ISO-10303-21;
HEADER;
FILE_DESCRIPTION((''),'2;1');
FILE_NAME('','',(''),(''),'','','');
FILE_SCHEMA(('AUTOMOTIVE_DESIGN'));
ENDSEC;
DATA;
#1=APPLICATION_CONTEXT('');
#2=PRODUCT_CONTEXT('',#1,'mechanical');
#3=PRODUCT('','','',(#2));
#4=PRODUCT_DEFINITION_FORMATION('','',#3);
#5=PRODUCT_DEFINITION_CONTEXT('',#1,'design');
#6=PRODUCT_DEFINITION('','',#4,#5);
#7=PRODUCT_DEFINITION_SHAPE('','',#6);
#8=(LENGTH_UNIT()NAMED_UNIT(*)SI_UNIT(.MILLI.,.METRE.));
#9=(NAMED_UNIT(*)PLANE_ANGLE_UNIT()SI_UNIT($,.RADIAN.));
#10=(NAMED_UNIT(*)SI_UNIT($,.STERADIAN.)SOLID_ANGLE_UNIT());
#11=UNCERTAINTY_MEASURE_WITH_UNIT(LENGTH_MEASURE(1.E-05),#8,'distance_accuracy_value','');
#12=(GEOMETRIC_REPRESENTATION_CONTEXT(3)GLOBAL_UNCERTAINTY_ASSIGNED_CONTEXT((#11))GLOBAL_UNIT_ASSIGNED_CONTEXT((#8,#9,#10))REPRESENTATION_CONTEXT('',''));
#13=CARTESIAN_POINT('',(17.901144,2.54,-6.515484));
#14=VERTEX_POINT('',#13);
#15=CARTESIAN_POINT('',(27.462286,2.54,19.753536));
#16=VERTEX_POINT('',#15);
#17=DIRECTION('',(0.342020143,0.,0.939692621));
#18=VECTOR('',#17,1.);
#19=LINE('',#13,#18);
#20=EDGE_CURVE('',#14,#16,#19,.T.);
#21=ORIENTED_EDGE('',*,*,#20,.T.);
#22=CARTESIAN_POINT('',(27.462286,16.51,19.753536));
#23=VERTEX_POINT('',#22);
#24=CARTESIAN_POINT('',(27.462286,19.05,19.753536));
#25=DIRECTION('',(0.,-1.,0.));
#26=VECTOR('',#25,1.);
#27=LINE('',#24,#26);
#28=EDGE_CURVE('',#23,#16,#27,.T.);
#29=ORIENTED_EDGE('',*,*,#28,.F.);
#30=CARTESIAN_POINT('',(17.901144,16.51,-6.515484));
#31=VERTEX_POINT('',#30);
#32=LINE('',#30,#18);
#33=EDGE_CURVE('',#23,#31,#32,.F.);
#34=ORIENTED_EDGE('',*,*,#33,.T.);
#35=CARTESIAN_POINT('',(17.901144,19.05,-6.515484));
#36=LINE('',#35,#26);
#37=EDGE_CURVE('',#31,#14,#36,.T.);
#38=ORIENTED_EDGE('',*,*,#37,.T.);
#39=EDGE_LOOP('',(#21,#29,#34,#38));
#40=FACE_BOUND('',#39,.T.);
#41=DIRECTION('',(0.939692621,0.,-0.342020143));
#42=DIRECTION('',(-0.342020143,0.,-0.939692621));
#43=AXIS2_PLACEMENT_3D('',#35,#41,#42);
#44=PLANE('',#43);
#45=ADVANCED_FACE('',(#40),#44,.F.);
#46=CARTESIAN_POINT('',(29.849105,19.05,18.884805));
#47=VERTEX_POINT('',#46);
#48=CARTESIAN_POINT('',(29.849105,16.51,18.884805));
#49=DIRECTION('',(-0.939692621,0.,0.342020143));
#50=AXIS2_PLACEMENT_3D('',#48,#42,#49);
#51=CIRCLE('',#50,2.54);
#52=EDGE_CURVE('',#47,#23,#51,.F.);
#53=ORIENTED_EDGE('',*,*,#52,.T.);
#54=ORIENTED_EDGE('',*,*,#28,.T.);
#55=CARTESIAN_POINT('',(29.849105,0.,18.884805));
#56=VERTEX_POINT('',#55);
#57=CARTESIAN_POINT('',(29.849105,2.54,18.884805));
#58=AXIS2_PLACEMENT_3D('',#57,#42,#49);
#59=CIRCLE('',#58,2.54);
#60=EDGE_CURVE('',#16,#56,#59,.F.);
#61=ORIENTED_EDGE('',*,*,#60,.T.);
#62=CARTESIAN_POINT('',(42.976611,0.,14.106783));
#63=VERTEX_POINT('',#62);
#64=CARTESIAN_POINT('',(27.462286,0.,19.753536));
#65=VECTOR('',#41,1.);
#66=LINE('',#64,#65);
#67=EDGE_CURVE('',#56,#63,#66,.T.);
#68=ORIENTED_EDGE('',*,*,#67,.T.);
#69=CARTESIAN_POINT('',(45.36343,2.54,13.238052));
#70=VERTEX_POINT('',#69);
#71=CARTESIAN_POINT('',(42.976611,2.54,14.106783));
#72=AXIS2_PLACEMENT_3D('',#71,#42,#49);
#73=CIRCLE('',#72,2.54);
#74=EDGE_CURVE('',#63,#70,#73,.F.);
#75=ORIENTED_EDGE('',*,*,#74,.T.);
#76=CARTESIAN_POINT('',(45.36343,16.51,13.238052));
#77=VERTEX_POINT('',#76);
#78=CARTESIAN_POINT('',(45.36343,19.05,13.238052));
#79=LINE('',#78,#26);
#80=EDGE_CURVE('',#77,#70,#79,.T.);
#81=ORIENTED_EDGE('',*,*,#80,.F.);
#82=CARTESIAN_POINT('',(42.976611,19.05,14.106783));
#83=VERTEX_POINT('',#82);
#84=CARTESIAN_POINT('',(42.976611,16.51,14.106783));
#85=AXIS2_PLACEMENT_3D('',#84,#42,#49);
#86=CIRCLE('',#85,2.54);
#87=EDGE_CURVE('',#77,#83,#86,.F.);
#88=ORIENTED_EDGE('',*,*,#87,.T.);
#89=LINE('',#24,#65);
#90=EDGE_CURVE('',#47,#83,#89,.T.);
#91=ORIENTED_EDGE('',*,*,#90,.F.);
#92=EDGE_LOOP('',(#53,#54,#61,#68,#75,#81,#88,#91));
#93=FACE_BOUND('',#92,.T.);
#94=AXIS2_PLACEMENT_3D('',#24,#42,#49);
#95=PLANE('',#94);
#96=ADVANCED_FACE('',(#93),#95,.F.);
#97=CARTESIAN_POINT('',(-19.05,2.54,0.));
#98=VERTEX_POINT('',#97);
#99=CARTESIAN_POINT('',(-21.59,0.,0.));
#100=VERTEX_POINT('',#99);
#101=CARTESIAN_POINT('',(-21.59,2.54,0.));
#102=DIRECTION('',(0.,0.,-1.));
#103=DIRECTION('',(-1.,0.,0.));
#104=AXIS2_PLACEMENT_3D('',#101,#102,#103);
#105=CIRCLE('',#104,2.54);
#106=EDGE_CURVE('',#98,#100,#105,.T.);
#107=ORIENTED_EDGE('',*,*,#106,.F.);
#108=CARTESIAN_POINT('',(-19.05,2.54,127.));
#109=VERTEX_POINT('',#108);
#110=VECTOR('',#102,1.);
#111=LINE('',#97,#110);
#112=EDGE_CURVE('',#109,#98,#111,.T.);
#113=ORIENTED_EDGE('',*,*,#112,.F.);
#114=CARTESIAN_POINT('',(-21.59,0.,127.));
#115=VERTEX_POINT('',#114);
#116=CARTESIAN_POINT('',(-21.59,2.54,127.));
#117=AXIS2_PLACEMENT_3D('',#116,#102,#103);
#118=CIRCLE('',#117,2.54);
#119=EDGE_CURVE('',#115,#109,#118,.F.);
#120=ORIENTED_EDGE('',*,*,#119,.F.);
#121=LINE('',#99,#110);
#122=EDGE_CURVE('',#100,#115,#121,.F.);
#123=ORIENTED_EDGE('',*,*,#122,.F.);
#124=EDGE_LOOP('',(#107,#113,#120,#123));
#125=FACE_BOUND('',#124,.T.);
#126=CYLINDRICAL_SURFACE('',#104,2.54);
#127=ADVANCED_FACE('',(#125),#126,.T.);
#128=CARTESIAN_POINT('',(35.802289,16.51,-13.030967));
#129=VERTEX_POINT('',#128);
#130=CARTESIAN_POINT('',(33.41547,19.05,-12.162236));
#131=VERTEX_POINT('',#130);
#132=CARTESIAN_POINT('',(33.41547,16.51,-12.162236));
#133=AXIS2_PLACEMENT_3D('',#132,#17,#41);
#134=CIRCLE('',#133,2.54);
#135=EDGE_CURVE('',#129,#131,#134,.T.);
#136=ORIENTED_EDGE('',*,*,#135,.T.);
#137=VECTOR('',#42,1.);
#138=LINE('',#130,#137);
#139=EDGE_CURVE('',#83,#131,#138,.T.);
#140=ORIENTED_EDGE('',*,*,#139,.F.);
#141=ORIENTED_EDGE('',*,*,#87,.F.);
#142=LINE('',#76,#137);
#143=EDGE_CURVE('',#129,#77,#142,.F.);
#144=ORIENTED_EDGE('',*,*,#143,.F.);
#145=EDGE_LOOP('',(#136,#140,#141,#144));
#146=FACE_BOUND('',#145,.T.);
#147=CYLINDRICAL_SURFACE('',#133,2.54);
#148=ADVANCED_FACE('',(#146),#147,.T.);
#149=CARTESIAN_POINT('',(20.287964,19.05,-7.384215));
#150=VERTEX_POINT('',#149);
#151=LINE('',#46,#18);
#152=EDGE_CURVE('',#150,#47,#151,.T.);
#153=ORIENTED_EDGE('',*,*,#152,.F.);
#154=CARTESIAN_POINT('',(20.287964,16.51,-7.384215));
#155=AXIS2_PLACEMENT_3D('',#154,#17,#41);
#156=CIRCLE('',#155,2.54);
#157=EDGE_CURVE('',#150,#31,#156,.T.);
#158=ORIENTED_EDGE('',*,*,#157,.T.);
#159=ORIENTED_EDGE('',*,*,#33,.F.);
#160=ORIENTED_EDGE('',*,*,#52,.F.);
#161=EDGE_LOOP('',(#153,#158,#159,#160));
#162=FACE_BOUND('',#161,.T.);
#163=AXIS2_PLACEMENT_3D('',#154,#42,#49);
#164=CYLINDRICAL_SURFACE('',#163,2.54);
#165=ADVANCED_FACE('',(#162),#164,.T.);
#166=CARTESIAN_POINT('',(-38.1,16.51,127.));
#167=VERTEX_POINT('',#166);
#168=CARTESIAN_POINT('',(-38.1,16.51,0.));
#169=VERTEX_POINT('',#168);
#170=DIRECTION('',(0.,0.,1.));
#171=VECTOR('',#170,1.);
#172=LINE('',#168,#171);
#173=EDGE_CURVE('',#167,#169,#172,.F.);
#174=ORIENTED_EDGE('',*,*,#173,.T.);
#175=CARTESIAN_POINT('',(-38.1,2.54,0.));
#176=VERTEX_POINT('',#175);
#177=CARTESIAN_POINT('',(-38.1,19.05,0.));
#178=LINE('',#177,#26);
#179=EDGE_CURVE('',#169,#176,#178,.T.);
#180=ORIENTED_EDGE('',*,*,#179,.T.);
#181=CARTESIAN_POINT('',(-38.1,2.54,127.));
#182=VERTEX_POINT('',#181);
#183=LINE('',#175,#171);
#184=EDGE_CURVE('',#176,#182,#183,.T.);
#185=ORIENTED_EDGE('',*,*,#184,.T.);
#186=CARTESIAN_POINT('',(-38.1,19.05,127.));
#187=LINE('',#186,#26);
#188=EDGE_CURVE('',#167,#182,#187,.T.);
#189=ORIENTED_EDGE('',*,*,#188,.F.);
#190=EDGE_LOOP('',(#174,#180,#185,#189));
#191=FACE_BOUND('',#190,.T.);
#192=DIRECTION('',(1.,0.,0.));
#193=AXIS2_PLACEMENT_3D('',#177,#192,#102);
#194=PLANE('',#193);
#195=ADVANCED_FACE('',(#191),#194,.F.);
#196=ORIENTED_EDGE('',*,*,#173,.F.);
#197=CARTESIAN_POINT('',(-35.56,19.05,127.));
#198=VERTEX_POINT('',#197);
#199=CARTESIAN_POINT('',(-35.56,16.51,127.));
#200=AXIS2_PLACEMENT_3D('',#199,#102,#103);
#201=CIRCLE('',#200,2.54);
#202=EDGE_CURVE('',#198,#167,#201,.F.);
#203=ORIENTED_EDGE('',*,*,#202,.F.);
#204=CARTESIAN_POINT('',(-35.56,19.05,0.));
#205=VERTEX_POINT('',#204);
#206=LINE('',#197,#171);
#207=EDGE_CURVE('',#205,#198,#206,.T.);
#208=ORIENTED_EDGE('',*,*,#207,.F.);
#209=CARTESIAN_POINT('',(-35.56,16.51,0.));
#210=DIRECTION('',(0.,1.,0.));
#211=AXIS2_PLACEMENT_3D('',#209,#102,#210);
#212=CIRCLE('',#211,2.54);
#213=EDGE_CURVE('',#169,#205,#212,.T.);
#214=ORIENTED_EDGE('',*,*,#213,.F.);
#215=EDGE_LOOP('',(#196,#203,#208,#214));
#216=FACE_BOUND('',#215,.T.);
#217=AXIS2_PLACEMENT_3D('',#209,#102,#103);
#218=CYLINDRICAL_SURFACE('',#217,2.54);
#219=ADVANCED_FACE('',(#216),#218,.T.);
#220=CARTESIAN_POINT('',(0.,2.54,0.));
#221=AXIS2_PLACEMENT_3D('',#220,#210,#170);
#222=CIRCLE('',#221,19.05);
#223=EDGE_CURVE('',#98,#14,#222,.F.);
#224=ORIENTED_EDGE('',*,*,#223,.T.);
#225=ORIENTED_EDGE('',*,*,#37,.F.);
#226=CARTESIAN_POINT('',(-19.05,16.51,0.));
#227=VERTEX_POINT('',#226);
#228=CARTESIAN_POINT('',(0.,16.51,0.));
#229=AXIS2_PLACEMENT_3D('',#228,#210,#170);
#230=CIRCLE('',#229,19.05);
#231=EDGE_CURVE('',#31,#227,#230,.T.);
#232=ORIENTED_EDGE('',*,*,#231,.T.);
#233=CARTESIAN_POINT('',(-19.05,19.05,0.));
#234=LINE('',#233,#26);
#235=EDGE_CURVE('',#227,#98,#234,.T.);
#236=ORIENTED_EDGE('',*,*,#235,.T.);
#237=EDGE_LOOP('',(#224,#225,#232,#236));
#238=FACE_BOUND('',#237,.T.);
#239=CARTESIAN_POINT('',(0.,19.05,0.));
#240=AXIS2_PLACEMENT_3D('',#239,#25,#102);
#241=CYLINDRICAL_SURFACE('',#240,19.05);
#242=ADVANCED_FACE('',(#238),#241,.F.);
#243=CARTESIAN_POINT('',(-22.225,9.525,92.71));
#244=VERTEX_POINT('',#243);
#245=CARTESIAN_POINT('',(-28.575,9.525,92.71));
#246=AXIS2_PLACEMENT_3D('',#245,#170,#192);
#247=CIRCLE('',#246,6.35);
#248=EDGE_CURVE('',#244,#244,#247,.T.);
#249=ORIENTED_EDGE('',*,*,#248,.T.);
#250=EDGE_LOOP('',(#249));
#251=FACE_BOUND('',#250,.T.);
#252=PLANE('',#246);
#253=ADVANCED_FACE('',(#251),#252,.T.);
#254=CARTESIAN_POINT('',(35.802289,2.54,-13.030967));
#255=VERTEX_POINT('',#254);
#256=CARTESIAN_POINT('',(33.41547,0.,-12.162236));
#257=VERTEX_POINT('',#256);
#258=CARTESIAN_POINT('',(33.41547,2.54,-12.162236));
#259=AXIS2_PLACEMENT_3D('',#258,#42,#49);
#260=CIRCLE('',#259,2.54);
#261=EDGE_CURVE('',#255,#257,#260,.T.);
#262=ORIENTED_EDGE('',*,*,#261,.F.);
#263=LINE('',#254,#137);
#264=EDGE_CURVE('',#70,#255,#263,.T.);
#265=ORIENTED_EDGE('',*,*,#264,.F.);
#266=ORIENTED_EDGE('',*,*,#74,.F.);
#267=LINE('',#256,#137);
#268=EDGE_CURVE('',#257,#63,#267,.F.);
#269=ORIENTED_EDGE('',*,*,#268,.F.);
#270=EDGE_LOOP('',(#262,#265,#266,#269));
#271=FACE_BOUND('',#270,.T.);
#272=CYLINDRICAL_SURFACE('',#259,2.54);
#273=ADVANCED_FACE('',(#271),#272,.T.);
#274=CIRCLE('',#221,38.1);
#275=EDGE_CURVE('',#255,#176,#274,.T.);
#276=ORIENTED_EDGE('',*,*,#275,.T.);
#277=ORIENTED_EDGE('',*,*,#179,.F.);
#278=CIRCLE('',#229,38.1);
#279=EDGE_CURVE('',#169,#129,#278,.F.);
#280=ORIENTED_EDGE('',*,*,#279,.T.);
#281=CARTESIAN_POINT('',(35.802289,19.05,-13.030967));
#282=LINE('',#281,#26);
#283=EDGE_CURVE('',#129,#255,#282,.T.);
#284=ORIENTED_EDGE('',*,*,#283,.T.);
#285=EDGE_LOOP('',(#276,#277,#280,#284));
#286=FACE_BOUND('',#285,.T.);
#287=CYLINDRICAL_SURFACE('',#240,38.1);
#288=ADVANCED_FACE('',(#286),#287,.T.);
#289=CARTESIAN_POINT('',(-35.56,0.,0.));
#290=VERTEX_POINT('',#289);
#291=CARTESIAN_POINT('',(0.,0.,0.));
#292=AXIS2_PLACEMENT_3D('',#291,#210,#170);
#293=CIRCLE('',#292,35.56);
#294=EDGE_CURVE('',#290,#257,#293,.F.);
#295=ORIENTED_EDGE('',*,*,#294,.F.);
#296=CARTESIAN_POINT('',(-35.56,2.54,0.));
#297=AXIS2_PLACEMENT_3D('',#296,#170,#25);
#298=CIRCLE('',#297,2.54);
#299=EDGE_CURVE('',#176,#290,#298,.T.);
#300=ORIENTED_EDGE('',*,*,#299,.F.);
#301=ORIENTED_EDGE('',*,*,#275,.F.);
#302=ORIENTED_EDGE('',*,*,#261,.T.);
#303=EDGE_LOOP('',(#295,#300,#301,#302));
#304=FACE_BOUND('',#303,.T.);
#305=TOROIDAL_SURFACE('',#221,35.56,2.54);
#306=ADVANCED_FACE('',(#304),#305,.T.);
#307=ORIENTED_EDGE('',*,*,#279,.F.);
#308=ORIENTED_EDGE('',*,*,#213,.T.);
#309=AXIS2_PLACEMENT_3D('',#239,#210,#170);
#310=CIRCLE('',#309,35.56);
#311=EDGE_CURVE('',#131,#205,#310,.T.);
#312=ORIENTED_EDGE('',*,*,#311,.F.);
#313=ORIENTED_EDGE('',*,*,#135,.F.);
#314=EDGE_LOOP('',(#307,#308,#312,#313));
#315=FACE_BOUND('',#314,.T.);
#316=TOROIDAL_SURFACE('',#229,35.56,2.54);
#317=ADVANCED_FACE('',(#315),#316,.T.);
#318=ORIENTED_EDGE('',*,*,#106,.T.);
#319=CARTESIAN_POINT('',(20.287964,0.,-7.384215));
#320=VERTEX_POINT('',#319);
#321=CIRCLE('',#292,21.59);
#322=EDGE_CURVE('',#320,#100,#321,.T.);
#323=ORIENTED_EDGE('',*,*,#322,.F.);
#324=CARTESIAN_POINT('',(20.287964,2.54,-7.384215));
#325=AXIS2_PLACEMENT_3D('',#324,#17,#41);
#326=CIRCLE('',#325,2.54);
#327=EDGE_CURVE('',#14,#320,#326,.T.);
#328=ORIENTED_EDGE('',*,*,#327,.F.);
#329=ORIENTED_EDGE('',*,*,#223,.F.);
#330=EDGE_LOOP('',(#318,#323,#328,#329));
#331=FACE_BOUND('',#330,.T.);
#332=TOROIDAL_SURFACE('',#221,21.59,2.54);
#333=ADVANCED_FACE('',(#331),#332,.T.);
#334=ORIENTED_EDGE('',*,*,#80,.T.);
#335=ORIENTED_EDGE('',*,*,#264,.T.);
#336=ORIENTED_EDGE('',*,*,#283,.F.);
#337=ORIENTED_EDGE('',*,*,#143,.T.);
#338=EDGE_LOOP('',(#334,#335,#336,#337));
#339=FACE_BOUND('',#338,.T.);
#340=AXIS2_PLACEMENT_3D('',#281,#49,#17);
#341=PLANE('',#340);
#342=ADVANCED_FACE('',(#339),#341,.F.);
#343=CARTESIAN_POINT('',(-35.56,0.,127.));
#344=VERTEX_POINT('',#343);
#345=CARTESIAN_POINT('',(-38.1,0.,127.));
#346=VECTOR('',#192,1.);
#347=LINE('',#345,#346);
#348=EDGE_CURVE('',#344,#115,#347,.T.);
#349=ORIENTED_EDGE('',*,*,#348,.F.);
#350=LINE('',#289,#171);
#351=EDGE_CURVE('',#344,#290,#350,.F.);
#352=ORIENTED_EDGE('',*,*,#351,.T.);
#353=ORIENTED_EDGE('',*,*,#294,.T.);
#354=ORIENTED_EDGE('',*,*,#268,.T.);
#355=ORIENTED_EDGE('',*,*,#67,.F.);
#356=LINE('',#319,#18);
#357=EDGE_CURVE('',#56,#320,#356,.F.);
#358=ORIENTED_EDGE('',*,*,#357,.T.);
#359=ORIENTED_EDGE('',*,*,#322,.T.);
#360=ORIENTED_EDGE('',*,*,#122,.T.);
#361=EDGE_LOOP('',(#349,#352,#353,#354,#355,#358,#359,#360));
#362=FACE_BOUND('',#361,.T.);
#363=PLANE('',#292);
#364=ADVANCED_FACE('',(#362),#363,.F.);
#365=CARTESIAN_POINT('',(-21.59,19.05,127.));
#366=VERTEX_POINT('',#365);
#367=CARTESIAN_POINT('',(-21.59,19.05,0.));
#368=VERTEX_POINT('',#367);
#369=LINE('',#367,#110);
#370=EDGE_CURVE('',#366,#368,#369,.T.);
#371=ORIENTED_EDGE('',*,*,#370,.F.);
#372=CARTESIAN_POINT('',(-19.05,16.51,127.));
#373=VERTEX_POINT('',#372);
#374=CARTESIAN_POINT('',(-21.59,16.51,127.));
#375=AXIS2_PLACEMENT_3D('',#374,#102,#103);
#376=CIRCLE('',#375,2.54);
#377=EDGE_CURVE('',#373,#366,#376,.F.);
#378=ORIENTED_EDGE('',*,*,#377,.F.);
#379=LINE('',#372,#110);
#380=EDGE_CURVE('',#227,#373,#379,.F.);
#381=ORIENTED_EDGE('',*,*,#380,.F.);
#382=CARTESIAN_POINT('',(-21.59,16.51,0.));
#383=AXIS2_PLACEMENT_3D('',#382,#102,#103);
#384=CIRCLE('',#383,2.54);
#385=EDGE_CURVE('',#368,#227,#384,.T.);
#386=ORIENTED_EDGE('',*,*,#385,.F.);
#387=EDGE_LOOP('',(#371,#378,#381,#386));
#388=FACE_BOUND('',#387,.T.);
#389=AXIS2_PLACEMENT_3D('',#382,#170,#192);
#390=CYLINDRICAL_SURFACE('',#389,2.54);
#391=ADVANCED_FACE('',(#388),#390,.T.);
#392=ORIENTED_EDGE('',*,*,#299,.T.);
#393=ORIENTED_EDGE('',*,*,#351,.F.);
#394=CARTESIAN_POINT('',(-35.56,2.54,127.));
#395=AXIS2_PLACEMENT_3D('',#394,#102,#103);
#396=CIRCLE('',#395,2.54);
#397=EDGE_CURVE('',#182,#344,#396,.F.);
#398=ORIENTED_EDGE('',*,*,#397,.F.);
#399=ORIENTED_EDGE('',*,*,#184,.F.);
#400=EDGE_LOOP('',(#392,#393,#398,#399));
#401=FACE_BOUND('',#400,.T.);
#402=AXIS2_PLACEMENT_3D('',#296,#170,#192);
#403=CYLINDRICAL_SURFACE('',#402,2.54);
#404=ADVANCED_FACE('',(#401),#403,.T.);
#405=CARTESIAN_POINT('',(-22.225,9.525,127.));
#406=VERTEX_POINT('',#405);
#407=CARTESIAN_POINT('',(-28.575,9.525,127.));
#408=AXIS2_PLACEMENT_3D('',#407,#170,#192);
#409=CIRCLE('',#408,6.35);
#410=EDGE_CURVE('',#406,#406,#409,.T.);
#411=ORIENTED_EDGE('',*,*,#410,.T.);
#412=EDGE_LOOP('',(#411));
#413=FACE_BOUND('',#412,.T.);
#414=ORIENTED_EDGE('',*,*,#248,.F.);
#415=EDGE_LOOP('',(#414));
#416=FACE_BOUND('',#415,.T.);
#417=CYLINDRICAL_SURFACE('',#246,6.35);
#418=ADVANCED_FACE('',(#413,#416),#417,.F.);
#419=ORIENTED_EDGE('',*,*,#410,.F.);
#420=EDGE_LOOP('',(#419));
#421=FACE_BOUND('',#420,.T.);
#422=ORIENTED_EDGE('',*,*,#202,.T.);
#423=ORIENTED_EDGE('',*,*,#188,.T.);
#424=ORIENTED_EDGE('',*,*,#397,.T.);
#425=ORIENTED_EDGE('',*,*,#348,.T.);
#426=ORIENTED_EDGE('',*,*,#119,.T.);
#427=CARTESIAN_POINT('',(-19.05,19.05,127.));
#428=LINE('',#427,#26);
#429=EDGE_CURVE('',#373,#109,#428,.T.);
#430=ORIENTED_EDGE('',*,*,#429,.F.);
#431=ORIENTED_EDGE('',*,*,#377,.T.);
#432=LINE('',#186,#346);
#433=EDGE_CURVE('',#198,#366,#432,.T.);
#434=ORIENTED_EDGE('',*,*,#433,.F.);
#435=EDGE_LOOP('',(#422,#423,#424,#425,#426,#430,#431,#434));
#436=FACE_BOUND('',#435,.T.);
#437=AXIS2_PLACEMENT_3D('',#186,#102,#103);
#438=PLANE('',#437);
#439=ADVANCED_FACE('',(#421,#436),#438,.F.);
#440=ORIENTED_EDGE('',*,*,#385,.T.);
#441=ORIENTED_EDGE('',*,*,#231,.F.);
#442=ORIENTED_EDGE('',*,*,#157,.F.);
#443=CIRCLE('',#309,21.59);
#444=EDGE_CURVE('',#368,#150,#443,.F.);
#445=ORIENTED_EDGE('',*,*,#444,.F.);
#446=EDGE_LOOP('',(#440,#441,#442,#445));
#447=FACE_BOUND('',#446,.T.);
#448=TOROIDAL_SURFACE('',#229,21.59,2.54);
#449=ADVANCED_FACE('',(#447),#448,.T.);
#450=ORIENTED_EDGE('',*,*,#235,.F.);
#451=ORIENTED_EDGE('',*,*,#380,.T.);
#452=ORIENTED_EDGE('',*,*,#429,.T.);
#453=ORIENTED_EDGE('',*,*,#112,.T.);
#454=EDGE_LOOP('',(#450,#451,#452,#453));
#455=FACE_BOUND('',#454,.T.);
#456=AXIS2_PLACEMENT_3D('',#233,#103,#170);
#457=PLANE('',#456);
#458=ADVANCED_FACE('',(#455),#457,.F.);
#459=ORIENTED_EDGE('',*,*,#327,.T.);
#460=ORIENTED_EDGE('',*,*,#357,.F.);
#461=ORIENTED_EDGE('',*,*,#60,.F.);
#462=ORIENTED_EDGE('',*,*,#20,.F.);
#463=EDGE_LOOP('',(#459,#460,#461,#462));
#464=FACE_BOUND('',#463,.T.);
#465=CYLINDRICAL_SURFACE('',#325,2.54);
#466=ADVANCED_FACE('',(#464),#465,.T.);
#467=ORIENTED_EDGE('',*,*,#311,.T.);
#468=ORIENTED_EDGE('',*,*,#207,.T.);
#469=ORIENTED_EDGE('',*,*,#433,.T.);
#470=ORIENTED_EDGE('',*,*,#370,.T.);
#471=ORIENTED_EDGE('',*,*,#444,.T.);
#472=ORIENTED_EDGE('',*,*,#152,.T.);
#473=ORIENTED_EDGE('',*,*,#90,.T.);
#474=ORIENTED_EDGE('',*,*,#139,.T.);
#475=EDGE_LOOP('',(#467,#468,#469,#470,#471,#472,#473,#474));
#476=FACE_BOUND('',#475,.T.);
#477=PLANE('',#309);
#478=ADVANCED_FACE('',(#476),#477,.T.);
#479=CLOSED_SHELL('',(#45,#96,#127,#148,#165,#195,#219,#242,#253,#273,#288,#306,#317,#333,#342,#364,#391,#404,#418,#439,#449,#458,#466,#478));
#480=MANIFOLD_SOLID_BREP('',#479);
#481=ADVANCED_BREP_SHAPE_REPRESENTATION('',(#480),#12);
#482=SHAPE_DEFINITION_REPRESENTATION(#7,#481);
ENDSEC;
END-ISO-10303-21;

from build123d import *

# Parameters (mm, degrees)
BOSS_EXTRUDE1_DEPTH = 19.05
SKETCH9_R           = 6.35
CUT_EXTRUDE2_DEPTH  = 34.29
FILLET1_R           = 2.54


with BuildPart() as part:
    # Sketch1 → Boss-Extrude1 (new body)
    with BuildSketch(Plane(origin=(0, 0, 0), x_dir=(1, 0, 0), z_dir=(0, 1, 0))):
        with BuildLine():
            Line((27.462285602, -19.753535756), (45.363430028, -13.238052025))
            Line((45.363430028, -13.238052025), (35.802288852, 13.030967461))
            ThreePointArc((35.802288852, 13.030967461), (-6.615995569, 37.52117539), (-38.1, 0))
            Line((-38.1, 0), (-38.1, -127))
            Line((-38.1, -127), (-19.05, -127))
            Line((-19.05, -127), (-19.05, 0))
            ThreePointArc((-19.05, 0), (-3.307997785, 18.760587695), (17.901144426, 6.51548373))
            Line((17.901144426, 6.51548373), (27.462285602, -19.753535756))
        make_face()
    extrude(amount=BOSS_EXTRUDE1_DEPTH)

    # Sketch9 → Cut-Extrude2 (cut)
    with BuildSketch(Plane.XY.offset(127)):
        with Locations((-28.575, 9.525)):
            Circle(SKETCH9_R)
    extrude(amount=-CUT_EXTRUDE2_DEPTH, mode=Mode.SUBTRACT)

    # Fillet1
    fillet1_edges = [part.edges().sort_by_distance(p)[0] for p in [
        (40.58285944, 19.05, 0.103542282),
        (22.681715014, 0, 6.619026013),
        (-6.615995569, 19.05, -37.52117539),
        (-38.1, 19.05, 63.5),
        (-19.05, 19.05, 63.5),
        (-3.307997785, 19.05, -18.760587695),
        (22.681715014, 19.05, 6.619026013),
        (-3.307997785, 0, -18.760587695),
        (-19.05, 0, 63.5),
        (-38.1, 0, 63.5),
        (-6.615995569, 0, -37.52117539),
        (40.58285944, 0, 0.103542282),
    ]]
    fillet(fillet1_edges, radius=FILLET1_R)


solid = part.part
